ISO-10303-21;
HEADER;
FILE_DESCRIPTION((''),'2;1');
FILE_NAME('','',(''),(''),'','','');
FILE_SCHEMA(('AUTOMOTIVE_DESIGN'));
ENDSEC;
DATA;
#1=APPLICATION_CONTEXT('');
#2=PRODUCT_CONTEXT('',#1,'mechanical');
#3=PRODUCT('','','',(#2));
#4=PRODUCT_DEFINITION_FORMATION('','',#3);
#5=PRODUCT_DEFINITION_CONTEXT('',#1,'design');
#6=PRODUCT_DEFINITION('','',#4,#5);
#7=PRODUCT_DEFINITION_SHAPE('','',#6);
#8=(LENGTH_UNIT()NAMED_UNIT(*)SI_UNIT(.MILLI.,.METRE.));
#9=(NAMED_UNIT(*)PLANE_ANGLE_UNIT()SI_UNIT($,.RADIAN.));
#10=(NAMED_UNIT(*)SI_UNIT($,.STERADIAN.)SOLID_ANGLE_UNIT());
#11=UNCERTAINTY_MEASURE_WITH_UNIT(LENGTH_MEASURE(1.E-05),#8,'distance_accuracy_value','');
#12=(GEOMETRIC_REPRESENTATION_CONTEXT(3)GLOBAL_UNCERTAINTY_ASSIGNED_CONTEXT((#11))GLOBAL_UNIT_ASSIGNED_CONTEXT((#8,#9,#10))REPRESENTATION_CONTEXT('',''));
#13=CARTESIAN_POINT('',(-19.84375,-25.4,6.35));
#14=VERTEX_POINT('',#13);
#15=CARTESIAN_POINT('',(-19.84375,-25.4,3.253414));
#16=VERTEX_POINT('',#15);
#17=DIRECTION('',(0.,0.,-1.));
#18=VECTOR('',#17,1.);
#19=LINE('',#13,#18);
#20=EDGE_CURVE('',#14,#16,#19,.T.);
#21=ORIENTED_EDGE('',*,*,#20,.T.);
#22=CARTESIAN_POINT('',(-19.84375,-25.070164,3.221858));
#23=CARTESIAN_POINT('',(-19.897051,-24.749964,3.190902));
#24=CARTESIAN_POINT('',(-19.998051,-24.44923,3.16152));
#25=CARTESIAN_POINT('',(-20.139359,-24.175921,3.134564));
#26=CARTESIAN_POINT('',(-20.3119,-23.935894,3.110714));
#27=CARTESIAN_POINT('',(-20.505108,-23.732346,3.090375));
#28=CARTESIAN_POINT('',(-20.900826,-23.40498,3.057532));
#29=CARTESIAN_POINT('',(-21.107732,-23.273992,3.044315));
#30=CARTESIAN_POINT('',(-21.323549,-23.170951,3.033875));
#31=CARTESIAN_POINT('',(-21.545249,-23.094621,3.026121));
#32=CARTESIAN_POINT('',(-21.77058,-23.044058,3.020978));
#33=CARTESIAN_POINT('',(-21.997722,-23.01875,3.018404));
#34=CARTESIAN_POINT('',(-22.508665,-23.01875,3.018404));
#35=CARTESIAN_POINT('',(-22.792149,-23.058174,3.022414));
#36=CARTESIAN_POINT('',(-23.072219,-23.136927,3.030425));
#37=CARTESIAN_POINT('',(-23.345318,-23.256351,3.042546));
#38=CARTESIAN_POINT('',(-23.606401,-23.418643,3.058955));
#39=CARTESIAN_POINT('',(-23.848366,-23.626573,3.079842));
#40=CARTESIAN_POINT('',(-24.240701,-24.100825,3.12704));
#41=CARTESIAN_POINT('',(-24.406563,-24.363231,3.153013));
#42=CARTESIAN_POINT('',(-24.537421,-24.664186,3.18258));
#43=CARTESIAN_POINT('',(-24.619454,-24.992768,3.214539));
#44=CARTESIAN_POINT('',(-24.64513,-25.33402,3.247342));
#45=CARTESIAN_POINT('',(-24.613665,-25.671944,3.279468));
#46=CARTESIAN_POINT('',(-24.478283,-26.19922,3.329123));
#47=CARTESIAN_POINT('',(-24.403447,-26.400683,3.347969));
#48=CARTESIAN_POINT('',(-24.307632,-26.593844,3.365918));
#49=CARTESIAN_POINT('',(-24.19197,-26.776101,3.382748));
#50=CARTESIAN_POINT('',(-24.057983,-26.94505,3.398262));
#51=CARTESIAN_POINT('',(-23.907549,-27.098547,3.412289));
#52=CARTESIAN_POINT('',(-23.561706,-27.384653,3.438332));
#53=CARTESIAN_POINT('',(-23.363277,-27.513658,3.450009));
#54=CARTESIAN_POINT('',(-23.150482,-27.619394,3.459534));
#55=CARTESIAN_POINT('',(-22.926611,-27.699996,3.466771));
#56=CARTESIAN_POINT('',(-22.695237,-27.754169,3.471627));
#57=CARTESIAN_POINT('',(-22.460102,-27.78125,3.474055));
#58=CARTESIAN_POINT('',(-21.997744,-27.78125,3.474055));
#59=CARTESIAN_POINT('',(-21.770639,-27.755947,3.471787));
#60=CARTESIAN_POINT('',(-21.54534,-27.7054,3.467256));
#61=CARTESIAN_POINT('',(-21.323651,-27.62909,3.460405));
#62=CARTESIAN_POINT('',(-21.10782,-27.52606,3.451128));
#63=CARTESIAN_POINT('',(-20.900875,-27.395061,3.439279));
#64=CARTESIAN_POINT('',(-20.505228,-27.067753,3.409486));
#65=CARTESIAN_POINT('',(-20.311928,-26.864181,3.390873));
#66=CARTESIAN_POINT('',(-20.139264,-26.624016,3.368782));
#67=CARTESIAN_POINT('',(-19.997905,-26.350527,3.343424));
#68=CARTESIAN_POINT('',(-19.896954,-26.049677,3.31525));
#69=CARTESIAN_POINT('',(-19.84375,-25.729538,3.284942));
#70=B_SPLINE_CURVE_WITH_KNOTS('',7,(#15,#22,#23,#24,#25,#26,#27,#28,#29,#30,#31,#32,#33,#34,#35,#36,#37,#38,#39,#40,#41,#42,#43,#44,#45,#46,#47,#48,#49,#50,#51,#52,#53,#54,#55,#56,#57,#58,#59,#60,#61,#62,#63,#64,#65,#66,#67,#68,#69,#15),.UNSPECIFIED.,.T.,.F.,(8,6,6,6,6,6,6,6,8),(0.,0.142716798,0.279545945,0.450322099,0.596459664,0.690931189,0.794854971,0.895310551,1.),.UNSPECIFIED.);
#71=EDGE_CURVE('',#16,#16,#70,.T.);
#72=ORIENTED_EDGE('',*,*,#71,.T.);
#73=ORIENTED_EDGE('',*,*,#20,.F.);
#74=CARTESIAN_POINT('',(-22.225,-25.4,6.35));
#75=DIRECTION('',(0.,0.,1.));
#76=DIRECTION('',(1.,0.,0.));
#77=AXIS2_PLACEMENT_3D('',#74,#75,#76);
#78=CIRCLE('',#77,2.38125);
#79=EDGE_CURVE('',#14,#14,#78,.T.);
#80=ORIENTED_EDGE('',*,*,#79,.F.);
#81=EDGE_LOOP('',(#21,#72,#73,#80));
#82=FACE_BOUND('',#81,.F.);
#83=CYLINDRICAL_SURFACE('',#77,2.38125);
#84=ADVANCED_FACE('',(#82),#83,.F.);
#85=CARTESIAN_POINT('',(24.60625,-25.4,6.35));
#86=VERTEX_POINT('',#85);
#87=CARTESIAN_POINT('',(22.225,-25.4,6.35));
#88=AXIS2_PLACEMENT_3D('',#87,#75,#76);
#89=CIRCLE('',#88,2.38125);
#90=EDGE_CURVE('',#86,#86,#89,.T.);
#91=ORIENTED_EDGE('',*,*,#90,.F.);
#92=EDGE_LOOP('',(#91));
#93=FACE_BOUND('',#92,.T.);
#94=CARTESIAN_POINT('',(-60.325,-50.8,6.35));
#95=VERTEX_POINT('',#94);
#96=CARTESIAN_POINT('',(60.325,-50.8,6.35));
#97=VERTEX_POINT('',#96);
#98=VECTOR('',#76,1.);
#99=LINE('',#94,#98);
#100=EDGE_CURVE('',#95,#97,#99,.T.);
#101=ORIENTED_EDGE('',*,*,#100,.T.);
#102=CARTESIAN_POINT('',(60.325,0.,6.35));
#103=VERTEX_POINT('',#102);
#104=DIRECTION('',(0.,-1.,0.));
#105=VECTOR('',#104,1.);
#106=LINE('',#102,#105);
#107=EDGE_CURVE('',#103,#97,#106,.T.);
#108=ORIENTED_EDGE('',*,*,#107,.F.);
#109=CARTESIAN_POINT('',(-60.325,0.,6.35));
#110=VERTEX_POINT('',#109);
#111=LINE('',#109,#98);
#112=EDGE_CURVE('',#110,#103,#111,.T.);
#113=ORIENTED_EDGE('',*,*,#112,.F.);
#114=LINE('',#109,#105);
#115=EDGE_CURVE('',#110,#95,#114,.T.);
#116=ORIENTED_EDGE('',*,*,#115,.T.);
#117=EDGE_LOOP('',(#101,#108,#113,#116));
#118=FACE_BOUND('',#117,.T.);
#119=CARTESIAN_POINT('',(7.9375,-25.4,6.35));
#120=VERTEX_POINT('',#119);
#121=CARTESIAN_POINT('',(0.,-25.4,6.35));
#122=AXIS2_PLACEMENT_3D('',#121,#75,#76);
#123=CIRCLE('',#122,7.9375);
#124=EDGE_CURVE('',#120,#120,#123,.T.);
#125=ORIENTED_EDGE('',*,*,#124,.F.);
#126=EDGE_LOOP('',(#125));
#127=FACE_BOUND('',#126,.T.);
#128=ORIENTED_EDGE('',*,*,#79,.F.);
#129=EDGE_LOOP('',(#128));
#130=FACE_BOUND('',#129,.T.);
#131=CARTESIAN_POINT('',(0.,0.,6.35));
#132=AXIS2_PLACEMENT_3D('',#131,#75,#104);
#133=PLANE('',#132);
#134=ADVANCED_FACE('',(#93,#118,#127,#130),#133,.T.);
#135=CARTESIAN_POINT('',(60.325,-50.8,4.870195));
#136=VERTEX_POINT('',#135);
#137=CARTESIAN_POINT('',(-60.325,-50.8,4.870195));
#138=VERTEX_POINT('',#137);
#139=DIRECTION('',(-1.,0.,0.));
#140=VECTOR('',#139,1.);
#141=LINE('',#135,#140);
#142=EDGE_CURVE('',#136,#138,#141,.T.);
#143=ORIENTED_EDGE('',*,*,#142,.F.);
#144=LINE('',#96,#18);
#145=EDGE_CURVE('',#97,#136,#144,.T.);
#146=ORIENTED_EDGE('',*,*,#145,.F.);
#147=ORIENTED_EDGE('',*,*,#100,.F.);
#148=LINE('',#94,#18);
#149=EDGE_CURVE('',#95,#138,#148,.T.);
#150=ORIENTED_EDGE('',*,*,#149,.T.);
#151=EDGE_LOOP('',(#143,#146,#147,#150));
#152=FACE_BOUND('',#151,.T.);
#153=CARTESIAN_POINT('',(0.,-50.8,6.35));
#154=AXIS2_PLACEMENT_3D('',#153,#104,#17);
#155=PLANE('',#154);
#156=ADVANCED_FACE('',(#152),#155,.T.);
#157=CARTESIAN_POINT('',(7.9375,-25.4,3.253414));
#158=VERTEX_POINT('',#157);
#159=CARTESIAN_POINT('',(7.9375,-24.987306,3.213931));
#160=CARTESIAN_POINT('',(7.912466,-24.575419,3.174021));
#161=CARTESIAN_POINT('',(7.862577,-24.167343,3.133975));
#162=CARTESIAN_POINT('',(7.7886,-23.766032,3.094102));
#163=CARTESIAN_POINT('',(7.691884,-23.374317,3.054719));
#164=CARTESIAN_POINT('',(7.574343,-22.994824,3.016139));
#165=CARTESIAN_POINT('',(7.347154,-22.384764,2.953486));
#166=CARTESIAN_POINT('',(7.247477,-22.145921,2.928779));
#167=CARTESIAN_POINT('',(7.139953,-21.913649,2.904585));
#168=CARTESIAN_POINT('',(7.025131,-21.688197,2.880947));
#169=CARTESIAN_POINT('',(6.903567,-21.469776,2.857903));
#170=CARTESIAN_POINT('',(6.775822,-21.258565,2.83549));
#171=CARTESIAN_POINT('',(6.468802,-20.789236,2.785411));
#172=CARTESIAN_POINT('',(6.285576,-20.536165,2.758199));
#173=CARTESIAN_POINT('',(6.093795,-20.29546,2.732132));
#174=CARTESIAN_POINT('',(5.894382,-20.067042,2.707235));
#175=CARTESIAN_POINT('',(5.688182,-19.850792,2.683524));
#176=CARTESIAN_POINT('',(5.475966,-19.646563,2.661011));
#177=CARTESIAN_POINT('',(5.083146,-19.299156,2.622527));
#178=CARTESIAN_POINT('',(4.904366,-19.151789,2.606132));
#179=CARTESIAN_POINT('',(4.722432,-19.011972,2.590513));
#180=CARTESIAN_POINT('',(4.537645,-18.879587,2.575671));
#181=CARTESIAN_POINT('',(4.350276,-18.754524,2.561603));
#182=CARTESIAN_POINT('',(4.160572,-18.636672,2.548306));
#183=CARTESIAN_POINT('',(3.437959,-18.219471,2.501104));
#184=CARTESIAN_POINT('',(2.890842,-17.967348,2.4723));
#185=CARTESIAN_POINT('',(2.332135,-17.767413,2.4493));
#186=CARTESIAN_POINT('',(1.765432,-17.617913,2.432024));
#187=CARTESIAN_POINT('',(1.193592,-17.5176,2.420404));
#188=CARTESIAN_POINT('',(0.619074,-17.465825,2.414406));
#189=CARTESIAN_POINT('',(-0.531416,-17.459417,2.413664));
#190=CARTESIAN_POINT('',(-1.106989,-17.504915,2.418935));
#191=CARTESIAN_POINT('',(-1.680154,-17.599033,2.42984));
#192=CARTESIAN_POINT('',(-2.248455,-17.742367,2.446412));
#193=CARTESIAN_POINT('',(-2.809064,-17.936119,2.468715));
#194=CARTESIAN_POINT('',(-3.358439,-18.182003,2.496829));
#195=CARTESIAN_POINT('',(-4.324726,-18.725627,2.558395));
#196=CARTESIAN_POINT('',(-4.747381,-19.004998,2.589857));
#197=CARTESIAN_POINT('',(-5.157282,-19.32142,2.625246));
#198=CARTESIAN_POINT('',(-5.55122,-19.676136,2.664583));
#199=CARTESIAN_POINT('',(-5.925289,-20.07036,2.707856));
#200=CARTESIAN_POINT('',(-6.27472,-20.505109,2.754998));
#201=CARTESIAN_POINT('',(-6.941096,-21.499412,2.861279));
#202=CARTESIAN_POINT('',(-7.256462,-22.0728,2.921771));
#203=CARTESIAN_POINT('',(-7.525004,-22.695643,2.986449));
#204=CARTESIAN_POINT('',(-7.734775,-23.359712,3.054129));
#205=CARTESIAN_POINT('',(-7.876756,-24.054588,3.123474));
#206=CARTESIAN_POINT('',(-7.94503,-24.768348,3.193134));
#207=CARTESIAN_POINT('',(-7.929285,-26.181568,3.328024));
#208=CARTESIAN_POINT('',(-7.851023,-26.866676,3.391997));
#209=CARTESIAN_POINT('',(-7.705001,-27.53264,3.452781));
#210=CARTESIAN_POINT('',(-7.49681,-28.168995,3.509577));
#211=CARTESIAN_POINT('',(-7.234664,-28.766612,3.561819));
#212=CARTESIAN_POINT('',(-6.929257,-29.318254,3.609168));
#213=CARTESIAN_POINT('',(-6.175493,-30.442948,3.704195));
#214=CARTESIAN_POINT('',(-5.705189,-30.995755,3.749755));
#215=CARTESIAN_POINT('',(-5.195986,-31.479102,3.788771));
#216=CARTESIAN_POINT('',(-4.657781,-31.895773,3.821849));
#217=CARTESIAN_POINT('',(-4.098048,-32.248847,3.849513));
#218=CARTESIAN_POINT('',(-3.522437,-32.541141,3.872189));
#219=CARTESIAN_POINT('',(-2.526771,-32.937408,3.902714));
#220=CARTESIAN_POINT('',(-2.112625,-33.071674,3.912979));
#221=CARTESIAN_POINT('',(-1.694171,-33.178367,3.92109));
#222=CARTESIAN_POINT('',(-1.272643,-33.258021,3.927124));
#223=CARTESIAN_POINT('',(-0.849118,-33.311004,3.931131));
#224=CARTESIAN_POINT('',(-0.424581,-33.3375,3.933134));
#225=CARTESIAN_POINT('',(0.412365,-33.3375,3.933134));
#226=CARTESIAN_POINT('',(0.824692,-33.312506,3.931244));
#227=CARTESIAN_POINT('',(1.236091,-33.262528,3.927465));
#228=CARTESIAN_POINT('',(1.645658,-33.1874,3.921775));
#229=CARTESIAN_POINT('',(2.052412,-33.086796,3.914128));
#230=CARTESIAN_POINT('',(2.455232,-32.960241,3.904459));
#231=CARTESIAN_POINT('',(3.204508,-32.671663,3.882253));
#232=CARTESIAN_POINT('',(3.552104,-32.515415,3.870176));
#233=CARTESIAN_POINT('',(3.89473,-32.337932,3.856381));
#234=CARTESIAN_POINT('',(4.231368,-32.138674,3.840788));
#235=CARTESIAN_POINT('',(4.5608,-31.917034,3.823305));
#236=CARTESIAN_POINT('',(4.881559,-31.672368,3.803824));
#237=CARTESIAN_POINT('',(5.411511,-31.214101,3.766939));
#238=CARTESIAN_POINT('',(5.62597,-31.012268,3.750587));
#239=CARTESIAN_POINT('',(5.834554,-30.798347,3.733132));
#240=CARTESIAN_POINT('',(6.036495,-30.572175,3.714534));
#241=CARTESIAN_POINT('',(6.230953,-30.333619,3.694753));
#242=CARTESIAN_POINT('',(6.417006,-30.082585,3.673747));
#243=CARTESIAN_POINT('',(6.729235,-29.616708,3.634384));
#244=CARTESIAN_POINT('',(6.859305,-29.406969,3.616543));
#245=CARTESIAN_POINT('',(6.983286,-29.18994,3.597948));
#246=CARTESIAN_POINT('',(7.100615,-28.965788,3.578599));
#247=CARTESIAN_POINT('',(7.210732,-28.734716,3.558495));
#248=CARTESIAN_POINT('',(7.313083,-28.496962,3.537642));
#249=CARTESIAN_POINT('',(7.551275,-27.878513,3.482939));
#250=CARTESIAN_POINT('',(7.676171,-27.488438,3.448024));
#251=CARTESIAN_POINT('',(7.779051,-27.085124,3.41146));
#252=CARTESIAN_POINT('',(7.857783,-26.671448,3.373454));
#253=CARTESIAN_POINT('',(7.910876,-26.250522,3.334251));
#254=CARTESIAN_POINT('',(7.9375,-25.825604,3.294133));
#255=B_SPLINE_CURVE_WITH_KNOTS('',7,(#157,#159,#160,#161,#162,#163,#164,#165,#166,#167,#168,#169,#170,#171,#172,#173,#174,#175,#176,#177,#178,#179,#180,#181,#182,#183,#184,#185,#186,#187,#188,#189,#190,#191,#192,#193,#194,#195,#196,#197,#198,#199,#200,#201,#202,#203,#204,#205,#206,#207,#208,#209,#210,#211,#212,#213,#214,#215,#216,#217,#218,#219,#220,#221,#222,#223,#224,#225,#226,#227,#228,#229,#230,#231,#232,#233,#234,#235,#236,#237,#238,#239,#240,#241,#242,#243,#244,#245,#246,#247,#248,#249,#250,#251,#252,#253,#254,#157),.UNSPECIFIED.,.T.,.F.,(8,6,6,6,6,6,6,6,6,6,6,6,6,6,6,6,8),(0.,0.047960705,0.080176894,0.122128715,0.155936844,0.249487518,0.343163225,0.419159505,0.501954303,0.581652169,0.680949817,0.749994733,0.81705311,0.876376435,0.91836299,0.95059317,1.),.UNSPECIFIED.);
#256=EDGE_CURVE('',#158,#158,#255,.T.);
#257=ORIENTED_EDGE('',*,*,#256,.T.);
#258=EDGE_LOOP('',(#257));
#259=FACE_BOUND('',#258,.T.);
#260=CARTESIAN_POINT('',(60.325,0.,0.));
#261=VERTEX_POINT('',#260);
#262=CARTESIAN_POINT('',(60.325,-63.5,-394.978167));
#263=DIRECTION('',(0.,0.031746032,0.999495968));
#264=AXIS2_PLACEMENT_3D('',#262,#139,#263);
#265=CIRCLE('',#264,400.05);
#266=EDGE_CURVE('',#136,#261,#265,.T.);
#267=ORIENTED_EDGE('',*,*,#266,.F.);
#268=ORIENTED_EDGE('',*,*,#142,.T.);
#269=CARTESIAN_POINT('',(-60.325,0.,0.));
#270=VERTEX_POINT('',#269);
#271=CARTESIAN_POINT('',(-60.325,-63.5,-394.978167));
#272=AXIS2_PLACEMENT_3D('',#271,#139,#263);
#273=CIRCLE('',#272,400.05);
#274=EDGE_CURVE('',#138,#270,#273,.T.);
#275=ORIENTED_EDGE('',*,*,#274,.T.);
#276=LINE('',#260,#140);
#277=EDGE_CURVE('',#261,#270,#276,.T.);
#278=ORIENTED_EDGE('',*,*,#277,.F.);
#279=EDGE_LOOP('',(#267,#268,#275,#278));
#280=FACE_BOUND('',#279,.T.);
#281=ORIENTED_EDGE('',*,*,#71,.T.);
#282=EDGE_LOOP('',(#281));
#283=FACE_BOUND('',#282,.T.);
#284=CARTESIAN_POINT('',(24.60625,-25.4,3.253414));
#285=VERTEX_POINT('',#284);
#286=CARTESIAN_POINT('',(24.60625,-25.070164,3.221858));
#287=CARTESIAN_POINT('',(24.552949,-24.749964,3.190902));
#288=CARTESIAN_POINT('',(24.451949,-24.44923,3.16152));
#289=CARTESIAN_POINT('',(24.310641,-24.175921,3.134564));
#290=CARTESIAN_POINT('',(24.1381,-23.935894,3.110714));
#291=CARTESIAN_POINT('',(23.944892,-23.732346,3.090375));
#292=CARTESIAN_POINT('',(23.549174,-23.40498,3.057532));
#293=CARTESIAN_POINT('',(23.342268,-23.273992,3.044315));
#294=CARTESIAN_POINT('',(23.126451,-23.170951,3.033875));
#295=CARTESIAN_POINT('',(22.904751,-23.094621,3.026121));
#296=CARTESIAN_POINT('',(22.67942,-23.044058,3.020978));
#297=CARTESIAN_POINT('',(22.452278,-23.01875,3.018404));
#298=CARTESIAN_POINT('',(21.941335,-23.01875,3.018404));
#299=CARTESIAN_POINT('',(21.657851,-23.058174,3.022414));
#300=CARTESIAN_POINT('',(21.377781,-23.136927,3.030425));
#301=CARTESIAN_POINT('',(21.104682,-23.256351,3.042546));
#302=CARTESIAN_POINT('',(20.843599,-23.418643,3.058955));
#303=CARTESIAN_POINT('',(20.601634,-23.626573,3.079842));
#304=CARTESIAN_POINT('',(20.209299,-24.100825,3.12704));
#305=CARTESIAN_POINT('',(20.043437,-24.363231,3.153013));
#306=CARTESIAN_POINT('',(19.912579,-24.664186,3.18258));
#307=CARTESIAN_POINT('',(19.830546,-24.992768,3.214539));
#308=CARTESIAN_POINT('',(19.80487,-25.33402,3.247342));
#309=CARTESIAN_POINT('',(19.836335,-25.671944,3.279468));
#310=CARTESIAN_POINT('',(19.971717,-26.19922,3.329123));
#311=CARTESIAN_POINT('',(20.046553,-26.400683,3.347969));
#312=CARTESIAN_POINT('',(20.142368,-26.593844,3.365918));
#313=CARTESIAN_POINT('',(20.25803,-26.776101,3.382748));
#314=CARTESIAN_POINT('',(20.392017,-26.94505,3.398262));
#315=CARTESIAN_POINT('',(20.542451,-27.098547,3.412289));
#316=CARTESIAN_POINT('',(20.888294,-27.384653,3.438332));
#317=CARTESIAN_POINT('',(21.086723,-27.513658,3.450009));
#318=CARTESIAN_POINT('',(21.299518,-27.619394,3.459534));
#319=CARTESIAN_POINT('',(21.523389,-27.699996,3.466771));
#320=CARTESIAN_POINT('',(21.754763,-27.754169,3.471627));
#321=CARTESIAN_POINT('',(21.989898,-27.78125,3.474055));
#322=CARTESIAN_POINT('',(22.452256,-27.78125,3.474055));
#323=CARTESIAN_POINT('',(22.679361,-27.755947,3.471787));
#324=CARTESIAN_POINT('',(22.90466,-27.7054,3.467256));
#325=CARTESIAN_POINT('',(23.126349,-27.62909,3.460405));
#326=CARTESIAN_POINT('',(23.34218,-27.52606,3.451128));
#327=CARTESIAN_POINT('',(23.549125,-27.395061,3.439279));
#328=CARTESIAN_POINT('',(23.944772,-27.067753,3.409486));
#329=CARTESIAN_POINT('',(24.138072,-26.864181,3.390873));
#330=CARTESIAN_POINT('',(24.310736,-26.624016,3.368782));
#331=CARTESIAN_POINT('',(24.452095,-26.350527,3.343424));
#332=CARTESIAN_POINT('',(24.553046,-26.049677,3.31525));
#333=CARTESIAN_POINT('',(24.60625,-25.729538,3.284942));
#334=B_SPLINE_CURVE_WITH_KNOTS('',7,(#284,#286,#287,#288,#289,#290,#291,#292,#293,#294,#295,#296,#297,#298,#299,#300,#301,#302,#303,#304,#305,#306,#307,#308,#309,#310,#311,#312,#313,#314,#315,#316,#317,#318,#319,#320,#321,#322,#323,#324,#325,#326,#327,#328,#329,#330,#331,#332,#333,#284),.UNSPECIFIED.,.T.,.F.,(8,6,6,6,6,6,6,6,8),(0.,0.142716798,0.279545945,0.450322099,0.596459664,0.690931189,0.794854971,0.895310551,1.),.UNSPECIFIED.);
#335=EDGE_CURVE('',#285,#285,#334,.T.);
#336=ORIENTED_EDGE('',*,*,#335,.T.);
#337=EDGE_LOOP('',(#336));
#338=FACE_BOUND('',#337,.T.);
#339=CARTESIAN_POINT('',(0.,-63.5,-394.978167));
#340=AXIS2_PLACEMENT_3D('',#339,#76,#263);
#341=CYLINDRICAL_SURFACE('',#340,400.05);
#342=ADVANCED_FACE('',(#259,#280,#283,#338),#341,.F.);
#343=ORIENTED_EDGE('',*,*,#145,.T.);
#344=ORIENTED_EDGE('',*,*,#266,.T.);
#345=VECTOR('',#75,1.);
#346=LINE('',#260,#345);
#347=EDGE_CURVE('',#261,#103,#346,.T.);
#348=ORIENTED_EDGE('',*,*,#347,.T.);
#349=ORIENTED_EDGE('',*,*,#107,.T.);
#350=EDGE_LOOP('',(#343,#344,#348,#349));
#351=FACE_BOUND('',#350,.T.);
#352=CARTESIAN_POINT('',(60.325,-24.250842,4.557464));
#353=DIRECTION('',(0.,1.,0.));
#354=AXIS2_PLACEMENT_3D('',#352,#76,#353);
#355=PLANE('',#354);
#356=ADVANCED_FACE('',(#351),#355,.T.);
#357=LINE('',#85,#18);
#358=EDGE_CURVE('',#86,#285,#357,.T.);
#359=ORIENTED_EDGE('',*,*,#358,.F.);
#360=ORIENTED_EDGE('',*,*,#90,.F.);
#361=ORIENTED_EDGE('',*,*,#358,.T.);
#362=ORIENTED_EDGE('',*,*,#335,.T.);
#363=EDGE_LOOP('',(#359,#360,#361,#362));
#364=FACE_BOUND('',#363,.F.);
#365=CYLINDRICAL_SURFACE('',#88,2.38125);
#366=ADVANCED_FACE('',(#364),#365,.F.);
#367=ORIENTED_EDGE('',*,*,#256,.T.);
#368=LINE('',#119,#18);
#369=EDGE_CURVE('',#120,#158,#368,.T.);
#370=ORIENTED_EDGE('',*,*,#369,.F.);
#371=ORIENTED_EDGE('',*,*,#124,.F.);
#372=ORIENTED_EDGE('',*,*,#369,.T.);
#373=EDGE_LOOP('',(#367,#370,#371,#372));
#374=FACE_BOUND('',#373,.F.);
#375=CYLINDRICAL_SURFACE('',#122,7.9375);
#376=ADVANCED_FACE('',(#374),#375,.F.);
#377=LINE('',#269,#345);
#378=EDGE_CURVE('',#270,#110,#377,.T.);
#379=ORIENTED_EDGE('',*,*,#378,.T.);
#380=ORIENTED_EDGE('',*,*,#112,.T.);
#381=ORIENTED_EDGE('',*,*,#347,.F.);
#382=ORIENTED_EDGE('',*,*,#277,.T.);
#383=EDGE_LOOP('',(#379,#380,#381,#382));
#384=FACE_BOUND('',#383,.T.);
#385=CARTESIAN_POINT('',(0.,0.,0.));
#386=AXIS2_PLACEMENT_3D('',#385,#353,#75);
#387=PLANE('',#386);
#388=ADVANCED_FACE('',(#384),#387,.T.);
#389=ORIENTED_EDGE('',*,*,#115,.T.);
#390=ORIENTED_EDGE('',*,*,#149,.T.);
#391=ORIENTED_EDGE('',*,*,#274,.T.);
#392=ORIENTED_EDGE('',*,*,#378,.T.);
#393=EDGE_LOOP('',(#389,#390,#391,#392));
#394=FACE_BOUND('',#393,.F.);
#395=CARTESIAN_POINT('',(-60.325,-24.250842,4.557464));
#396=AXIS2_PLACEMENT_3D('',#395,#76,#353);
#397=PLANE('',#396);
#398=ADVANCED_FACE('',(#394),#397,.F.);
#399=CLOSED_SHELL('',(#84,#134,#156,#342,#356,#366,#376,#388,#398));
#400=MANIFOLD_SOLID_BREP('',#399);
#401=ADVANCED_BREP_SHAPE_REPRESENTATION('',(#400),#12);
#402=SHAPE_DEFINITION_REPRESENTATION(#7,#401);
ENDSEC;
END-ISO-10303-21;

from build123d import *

# Parameters (mm, degrees)
F1_DEPTH = 60.325
F2_R     = 7.9375
F2_R_2   = 2.38125
F3_DEPTH = 4.9359792052


with BuildPart() as f1:
    # F0 (on Right) → F1 (new body, symmetric)
    with BuildSketch(Plane.YZ):
        with BuildLine():
            Line((0, 0), (0, 6.35))
            Line((0, 6.35), (-50.8, 6.35))
            Line((-50.8, 6.35), (-50.8, 4.8701947642))
            ThreePointArc((-50.8, 4.8701947642), (-25.322261732, 3.2459692683), (0, 0))
        make_face()
    extrude(amount=F1_DEPTH, both=True)

    # F2 (on face) → F3 (cut, up to face)
    with BuildSketch(Plane.XY.offset(6.35)):
        with Locations((0, -25.4)):
            Circle(F2_R)
        with Locations((-22.225, -25.4)):
            Circle(F2_R_2)
        with Locations((22.225, -25.4)):
            Circle(F2_R_2)
    extrude(amount=-F3_DEPTH, mode=Mode.SUBTRACT)


solid = f1.part
